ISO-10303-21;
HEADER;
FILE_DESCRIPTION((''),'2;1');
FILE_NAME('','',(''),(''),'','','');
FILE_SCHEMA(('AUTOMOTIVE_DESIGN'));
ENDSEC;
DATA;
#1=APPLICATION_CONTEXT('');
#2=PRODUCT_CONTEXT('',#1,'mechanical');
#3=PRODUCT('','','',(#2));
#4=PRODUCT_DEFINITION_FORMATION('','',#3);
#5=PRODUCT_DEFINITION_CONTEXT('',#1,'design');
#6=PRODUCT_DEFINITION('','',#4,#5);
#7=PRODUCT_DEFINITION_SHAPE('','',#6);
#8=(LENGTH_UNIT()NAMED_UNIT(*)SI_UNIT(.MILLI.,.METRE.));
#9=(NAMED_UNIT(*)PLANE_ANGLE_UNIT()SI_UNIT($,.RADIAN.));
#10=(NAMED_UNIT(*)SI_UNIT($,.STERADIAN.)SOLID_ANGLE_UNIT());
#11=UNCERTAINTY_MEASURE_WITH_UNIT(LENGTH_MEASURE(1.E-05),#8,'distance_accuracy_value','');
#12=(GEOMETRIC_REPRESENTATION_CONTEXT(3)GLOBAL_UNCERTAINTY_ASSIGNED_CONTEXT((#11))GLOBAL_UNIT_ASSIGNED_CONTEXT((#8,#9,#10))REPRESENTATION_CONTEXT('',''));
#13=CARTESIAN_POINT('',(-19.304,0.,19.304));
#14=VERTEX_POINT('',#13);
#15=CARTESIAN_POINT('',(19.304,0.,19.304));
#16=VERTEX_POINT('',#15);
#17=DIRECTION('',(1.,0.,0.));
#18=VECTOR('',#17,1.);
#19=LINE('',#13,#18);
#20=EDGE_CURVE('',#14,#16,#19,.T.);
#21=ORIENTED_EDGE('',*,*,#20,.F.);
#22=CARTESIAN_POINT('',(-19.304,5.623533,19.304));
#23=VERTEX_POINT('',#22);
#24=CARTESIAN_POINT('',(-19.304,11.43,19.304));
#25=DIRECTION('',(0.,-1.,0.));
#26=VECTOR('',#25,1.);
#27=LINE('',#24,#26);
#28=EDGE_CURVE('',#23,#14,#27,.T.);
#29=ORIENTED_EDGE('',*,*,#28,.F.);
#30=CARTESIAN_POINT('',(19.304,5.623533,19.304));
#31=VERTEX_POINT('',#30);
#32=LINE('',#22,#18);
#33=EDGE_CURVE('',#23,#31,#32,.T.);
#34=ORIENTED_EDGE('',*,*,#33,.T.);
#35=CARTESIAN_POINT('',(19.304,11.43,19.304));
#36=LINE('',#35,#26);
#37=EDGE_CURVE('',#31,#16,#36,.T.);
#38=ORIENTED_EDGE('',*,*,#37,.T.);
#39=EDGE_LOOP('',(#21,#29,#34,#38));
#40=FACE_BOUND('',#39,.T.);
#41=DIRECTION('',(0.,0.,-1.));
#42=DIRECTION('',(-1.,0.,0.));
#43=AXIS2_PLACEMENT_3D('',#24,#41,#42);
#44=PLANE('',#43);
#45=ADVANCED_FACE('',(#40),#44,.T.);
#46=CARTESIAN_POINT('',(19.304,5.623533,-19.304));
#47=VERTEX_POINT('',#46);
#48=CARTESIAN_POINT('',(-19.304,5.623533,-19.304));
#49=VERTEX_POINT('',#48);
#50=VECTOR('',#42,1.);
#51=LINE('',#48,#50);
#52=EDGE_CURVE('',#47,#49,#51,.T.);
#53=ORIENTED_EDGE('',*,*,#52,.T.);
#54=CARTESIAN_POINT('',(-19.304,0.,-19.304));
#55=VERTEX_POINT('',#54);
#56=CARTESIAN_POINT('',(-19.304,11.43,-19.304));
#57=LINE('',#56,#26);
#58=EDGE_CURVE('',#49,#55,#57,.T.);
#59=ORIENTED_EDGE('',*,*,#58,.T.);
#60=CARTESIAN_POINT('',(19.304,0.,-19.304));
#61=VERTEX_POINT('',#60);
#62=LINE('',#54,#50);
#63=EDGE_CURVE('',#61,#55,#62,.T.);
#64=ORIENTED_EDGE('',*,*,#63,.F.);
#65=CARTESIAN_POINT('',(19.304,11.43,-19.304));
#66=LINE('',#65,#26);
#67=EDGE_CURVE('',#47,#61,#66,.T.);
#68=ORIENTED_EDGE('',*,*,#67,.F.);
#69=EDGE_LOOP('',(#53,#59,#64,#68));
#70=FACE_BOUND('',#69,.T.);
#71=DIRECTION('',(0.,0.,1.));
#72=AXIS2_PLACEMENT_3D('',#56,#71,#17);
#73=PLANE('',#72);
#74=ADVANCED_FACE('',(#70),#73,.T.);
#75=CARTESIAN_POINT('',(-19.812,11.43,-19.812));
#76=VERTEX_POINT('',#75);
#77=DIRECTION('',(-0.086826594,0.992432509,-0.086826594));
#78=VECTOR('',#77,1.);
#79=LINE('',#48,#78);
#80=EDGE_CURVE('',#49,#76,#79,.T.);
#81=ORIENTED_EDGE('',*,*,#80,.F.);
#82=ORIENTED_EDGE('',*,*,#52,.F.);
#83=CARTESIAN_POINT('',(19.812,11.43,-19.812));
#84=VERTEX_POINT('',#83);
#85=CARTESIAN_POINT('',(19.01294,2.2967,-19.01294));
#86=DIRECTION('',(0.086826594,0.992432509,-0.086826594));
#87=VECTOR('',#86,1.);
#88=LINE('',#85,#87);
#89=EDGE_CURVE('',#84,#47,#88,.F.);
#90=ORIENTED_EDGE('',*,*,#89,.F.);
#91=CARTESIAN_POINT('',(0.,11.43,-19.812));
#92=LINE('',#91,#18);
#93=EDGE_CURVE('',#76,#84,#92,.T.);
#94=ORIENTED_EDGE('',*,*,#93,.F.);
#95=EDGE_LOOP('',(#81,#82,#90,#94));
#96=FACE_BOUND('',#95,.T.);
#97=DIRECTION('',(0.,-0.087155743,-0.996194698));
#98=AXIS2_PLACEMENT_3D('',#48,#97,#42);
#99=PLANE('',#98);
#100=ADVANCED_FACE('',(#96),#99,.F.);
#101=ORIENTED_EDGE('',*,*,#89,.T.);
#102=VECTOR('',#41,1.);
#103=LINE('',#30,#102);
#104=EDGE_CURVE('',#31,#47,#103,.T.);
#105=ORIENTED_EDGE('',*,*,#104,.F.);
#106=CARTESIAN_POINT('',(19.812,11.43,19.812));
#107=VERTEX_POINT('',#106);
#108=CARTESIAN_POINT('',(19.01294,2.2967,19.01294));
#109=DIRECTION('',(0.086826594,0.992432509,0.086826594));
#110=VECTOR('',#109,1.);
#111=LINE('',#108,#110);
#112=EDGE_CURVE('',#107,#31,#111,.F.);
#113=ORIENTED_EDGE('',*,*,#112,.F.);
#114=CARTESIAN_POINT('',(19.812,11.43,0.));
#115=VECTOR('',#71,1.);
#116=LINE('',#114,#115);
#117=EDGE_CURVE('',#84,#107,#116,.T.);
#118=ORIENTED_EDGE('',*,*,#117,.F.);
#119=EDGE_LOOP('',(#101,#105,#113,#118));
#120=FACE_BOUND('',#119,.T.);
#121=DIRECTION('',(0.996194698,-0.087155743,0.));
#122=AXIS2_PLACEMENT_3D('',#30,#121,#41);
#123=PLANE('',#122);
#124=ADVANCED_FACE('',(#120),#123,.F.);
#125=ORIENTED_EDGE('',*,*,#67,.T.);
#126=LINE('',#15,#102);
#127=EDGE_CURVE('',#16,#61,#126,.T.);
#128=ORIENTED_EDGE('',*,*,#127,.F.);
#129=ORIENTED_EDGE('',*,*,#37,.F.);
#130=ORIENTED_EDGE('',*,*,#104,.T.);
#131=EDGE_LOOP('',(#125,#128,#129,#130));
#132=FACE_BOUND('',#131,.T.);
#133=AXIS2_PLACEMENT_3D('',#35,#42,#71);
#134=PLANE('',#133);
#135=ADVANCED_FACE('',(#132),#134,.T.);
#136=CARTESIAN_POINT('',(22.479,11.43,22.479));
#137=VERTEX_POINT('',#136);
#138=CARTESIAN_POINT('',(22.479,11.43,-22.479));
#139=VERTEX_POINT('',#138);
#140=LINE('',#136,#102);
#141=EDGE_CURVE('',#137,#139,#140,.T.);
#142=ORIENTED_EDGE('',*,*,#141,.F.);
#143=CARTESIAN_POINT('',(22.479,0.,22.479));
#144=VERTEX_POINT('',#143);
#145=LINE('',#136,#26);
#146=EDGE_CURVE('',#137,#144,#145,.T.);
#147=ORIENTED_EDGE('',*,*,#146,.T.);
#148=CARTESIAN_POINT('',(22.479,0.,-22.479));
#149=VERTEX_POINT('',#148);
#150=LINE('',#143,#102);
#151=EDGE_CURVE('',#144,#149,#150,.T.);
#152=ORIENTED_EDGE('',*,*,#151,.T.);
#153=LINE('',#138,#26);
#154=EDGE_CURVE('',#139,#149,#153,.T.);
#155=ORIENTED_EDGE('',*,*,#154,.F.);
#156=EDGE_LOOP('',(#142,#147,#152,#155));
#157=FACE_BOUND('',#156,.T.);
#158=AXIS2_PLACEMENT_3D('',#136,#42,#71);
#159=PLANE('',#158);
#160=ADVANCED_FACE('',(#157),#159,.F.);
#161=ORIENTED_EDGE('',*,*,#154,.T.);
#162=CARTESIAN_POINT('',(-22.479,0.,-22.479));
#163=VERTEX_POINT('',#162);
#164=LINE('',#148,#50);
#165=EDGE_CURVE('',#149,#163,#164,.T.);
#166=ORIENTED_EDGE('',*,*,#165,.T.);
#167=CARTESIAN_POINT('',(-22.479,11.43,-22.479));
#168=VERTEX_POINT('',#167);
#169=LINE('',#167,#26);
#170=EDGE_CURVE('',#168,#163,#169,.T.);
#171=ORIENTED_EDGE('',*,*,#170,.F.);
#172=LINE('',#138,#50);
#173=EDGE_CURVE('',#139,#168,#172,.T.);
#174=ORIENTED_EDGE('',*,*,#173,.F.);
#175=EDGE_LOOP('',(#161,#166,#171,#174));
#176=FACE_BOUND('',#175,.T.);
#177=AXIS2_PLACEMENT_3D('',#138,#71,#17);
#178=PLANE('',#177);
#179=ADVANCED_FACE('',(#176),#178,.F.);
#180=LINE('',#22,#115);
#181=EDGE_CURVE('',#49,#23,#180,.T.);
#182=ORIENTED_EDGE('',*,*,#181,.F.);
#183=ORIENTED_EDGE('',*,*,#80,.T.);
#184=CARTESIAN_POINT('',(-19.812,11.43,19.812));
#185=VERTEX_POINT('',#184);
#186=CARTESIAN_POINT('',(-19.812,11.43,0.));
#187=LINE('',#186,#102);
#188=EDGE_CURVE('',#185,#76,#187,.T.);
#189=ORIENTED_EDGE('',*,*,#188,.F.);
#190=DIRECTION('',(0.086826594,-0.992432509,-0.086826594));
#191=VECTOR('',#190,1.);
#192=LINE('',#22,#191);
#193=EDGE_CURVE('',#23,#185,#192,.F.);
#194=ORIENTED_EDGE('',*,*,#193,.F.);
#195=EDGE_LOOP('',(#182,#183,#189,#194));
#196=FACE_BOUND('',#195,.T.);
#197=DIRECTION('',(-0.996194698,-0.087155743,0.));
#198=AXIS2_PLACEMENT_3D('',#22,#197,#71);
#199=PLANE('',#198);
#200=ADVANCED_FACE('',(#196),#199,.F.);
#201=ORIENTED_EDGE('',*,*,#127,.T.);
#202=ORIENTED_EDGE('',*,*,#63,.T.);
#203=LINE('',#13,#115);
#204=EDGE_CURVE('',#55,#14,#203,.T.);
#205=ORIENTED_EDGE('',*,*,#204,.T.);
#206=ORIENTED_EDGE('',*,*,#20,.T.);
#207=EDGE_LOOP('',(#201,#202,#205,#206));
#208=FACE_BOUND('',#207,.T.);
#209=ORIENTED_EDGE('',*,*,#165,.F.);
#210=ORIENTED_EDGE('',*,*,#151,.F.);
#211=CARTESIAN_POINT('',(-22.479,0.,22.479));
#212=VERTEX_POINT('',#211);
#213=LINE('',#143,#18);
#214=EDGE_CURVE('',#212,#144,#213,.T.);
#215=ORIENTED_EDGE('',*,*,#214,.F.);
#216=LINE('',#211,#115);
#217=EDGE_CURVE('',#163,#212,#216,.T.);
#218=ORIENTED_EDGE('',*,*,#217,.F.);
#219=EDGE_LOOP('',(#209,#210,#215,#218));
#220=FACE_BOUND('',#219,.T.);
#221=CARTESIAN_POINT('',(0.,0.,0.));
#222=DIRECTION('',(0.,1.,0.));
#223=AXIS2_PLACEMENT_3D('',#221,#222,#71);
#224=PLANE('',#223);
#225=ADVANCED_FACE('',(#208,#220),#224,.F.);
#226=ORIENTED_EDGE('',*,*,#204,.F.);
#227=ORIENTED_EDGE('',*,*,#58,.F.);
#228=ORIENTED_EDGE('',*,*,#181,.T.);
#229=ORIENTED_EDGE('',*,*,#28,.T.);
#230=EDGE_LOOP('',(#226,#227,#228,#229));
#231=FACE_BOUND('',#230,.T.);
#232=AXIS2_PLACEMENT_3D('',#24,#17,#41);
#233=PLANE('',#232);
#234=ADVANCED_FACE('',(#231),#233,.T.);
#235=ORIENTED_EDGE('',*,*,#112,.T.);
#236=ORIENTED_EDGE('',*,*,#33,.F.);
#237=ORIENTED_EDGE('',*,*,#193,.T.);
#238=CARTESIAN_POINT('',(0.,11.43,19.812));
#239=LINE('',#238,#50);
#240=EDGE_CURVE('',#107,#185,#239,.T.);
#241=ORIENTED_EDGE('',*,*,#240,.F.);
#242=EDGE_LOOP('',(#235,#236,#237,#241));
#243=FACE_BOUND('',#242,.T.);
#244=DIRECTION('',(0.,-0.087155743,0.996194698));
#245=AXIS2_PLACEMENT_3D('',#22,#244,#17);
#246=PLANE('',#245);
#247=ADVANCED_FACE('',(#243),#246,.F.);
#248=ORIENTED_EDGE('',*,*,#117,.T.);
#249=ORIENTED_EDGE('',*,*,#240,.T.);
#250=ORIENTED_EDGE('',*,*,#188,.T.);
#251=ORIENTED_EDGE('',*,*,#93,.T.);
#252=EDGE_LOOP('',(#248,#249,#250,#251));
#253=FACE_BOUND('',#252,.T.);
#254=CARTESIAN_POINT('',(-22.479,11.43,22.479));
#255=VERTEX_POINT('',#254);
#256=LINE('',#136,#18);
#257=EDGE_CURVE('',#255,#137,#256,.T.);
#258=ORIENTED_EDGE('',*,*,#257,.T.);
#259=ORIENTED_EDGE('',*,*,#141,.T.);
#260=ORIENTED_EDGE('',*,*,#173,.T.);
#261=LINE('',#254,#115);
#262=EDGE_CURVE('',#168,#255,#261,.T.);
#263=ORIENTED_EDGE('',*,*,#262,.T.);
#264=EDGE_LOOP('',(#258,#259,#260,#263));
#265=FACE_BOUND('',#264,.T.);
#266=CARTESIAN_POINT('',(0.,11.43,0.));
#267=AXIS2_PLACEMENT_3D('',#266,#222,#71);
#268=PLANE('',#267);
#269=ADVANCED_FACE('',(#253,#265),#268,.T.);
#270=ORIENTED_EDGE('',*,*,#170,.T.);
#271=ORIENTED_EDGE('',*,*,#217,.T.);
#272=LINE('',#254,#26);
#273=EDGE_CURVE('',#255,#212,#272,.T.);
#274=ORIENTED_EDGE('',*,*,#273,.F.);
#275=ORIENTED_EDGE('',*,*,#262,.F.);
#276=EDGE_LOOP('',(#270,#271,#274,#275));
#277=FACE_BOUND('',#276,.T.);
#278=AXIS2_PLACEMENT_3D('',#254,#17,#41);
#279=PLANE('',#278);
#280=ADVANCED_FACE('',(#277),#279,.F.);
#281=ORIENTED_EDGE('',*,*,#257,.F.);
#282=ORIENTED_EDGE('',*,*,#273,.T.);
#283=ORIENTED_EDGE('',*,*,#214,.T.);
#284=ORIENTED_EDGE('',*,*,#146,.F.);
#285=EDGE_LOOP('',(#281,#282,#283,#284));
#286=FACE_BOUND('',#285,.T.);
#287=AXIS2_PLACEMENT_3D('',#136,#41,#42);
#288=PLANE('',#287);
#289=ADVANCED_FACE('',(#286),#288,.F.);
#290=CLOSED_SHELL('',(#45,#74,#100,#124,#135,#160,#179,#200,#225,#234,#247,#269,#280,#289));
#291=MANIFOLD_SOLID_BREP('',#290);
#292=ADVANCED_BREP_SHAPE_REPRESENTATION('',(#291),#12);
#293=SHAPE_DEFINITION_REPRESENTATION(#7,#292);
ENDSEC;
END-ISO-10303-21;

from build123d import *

# Parameters (mm, degrees)
SKETCH1_W           = 44.958
SKETCH1_H           = 44.958
SKETCH1_W_2         = 38.608
SKETCH1_H_2         = 38.608
BOSS_EXTRUDE1_DEPTH = 11.43
CHAMFER1_SIZE       = 0.508
CHAMFER1_SIZE2      = 5.80646657


with BuildPart() as part:
    # Sketch1 → Boss-Extrude1 (new body)
    with BuildSketch(Plane(origin=(0, 0, 0), x_dir=(1, 0, 0), z_dir=(0, 1, 0))):
        Rectangle(SKETCH1_W, SKETCH1_H)
        Rectangle(SKETCH1_W_2, SKETCH1_H_2, mode=Mode.SUBTRACT)
    extrude(amount=BOSS_EXTRUDE1_DEPTH)

    # Chamfer1
    chamfer1_edges = [part.edges().sort_by_distance(p)[0] for p in [
        (19.304, 11.43, 0),
        (0, 11.43, -19.304),
        (-19.304, 11.43, 0),
        (0, 11.43, 19.304),
    ]]
    chamfer1_side = [part.faces().sort_by_distance(p)[0] for p in [
        (0, 11.43, 21.843197867),
    ]]
    chamfer(chamfer1_edges, length=CHAMFER1_SIZE, length2=CHAMFER1_SIZE2, reference=chamfer1_side[0])


solid = part.part
